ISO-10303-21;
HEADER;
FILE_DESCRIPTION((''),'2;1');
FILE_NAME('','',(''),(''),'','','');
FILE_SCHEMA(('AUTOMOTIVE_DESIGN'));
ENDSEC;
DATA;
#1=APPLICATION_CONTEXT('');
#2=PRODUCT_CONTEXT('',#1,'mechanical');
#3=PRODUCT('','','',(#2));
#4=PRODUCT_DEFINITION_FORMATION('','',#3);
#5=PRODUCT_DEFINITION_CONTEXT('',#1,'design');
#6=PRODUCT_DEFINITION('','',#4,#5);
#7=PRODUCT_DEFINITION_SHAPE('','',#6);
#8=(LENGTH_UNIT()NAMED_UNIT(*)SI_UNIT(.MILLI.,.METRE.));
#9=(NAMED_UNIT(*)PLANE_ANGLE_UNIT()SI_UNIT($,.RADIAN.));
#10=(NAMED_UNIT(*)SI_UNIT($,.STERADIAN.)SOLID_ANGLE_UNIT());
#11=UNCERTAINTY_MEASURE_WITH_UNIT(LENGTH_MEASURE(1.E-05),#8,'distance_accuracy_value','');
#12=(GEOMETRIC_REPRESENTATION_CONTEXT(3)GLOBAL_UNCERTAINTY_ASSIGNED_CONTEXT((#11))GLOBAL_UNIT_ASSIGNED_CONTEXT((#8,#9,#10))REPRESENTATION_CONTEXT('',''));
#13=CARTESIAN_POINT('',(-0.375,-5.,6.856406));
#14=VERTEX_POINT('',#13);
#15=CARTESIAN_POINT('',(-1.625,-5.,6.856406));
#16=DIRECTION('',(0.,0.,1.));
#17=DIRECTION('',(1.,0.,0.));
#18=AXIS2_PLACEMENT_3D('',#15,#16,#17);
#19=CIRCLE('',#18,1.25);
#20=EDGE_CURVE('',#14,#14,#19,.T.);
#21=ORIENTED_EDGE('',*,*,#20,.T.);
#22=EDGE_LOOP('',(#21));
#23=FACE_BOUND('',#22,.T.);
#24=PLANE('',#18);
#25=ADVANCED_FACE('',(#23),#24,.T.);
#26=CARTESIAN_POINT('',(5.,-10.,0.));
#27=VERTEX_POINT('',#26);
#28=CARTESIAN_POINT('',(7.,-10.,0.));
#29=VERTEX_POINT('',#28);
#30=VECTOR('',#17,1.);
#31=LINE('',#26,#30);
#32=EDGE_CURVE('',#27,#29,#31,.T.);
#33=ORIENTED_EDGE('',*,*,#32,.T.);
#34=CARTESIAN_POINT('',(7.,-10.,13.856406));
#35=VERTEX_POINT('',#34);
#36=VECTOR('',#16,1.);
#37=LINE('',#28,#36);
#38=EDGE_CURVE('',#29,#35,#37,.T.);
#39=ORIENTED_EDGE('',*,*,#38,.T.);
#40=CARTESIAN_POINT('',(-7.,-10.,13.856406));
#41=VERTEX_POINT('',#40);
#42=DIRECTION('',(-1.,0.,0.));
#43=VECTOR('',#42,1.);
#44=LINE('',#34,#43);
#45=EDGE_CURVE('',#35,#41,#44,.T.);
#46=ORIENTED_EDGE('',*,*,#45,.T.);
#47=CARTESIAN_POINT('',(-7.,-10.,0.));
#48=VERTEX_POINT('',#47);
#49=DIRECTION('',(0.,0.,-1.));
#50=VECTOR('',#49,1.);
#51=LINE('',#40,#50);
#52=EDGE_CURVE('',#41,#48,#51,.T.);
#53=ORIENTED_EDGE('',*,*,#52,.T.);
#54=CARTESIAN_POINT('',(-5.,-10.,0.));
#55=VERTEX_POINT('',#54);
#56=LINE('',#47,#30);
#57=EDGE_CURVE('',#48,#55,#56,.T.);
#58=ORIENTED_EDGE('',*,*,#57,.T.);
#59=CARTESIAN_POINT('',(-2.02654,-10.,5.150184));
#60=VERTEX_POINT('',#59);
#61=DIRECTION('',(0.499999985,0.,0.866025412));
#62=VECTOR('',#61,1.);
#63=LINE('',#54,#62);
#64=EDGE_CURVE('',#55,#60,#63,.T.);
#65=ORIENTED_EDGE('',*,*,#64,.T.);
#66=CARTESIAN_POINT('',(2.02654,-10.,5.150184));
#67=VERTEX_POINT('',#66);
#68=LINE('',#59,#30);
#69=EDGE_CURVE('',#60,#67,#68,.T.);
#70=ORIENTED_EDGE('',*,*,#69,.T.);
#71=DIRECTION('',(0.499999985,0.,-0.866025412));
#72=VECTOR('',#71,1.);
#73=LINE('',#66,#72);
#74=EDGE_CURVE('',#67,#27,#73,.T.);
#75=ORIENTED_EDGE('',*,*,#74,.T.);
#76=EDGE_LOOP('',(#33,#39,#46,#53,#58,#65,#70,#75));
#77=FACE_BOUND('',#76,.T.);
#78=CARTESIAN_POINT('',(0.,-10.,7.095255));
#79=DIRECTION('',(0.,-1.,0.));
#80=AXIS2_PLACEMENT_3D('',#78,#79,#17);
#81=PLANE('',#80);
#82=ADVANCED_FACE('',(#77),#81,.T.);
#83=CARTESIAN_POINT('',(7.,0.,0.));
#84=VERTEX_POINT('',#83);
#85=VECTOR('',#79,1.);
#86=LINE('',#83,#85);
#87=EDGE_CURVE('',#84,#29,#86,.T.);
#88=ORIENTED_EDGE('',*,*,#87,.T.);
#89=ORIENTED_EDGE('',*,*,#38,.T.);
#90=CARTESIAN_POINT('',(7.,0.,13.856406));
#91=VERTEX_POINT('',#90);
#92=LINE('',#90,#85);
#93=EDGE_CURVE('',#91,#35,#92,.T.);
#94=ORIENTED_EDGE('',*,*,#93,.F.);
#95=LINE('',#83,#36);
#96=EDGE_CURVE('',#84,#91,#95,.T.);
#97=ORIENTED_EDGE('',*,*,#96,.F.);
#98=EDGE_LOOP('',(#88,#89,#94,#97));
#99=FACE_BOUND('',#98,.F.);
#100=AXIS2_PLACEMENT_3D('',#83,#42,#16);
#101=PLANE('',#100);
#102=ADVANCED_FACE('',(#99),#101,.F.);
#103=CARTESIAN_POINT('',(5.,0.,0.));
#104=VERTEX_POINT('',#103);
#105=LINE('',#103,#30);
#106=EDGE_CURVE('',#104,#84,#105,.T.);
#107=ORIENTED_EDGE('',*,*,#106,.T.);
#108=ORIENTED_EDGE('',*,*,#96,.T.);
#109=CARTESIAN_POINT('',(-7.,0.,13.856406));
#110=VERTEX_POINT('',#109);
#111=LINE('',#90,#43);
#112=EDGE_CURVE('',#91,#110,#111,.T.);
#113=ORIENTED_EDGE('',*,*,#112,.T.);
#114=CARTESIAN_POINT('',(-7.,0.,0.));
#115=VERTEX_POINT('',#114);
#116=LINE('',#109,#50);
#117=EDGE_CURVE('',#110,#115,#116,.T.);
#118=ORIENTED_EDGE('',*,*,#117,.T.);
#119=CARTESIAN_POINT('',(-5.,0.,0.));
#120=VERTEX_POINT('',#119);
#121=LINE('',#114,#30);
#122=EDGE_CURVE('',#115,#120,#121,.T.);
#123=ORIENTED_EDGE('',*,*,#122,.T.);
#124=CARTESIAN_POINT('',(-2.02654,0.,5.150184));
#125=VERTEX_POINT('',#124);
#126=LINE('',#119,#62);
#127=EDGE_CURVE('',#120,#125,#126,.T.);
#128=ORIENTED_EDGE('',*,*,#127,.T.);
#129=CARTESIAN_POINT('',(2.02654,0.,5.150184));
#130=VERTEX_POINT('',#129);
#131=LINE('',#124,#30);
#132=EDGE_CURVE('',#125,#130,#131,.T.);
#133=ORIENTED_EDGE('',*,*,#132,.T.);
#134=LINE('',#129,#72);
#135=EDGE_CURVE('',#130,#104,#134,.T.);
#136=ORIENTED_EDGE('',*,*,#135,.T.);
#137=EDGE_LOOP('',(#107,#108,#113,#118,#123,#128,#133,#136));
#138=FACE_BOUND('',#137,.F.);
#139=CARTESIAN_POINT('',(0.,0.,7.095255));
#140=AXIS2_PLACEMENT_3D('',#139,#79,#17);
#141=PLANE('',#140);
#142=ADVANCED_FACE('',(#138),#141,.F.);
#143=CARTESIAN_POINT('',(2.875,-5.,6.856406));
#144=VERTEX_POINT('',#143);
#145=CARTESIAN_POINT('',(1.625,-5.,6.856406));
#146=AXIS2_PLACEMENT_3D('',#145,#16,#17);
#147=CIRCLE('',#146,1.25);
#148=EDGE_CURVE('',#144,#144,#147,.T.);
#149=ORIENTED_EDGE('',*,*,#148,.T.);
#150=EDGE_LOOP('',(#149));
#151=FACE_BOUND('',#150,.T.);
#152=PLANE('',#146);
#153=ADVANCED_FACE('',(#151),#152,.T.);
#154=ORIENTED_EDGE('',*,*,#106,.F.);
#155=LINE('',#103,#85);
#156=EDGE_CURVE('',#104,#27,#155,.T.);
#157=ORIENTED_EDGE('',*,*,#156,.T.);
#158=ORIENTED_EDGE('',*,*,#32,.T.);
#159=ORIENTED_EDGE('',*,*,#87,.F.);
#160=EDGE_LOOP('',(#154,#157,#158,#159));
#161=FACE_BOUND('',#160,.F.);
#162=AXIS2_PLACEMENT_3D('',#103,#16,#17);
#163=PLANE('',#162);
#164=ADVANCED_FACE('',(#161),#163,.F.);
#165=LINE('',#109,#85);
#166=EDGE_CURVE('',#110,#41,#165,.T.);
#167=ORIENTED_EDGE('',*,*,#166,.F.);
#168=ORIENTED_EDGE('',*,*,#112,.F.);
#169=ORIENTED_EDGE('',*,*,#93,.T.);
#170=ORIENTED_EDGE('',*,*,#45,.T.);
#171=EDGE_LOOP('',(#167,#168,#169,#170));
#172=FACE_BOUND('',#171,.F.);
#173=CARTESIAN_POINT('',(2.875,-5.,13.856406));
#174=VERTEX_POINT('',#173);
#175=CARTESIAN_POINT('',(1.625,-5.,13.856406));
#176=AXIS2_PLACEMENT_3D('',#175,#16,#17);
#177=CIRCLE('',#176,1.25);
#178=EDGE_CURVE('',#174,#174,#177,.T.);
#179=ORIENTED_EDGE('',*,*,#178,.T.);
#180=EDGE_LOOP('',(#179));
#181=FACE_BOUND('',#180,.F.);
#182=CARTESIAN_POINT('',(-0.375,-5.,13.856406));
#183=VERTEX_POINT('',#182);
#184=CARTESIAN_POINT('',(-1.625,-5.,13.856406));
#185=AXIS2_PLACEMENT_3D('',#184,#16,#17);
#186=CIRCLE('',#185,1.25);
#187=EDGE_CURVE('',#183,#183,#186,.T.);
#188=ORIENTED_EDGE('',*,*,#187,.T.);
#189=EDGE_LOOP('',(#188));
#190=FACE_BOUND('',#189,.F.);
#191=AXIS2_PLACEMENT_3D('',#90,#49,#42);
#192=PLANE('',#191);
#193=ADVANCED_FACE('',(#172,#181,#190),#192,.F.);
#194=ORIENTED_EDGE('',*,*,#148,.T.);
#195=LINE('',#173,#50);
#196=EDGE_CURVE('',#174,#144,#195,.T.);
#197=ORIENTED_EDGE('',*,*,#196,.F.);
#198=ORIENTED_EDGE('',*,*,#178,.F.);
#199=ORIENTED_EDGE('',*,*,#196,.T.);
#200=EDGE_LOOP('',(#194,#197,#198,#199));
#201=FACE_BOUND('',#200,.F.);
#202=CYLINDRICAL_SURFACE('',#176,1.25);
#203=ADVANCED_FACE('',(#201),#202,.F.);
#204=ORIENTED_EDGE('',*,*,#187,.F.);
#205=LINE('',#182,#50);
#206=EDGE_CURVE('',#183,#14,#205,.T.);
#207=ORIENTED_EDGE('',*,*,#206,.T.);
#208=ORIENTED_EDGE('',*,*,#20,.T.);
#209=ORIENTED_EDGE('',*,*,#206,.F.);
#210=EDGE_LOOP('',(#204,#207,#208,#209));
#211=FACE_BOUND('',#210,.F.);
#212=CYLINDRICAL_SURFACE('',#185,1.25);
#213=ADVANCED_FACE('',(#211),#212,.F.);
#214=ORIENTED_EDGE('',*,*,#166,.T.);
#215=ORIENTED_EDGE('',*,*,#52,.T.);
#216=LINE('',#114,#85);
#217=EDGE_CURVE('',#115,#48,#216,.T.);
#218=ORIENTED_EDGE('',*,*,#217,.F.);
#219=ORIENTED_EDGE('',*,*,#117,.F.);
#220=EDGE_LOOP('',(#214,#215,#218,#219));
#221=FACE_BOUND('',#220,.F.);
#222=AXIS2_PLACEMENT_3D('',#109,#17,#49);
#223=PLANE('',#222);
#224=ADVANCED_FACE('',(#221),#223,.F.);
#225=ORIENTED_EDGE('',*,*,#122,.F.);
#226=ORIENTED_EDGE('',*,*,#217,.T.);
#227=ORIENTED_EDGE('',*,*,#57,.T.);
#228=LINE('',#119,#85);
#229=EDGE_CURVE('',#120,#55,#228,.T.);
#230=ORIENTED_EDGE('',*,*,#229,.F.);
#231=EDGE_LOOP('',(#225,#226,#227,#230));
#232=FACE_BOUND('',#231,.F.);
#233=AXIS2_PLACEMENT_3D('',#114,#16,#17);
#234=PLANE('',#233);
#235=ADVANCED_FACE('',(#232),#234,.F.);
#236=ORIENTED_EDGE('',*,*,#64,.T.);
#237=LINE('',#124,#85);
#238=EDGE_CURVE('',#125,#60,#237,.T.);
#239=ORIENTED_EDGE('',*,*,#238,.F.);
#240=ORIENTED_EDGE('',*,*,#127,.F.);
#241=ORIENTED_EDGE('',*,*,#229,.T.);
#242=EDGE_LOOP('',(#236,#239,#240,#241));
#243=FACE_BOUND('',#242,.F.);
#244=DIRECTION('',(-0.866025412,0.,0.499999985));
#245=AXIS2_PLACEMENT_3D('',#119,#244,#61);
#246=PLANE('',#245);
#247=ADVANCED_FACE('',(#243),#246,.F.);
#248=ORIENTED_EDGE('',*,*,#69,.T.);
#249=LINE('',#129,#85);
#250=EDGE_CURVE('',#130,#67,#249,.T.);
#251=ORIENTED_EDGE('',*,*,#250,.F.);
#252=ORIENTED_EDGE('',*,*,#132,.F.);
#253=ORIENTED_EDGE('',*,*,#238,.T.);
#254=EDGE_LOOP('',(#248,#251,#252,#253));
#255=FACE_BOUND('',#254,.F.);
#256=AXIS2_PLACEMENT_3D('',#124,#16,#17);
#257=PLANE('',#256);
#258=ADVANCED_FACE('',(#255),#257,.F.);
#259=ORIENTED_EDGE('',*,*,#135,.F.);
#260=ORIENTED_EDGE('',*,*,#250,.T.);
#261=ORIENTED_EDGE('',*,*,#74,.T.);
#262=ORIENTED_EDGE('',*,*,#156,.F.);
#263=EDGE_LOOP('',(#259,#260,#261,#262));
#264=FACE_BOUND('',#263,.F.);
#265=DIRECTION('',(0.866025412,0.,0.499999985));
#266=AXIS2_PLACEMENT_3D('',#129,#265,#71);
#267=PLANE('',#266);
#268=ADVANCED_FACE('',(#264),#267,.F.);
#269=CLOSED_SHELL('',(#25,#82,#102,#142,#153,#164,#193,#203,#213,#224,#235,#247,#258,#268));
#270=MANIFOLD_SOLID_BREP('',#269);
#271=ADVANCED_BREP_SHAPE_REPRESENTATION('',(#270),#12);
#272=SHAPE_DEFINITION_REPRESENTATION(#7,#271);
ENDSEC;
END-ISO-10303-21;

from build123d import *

# Parameters (mm, degrees)
F1_DEPTH = 10
F2_R     = 1.25
F3_DEPTH = 7


with BuildPart() as f1:
    # F0 (on Front) → F1 (new body)
    with BuildSketch(Plane.XZ):
        Polygon((-7, 0), (-5, 0), (-2.02654, 5.150184), (2.02654, 5.150184), (5, 0), (7, 0), (7, 13.856406), (4, 13.856406), (-4, 13.856406), (-7, 13.856406), align=None)
    extrude(amount=F1_DEPTH)

    # F2 (on face) → F3 (cut)
    with BuildSketch(Plane.XY.offset(13.856406)):
        with Locations((1.625, -5)):
            Circle(F2_R)
        with Locations((-1.625, -5)):
            Circle(F2_R)
    extrude(amount=-F3_DEPTH, mode=Mode.SUBTRACT)


solid = f1.part
